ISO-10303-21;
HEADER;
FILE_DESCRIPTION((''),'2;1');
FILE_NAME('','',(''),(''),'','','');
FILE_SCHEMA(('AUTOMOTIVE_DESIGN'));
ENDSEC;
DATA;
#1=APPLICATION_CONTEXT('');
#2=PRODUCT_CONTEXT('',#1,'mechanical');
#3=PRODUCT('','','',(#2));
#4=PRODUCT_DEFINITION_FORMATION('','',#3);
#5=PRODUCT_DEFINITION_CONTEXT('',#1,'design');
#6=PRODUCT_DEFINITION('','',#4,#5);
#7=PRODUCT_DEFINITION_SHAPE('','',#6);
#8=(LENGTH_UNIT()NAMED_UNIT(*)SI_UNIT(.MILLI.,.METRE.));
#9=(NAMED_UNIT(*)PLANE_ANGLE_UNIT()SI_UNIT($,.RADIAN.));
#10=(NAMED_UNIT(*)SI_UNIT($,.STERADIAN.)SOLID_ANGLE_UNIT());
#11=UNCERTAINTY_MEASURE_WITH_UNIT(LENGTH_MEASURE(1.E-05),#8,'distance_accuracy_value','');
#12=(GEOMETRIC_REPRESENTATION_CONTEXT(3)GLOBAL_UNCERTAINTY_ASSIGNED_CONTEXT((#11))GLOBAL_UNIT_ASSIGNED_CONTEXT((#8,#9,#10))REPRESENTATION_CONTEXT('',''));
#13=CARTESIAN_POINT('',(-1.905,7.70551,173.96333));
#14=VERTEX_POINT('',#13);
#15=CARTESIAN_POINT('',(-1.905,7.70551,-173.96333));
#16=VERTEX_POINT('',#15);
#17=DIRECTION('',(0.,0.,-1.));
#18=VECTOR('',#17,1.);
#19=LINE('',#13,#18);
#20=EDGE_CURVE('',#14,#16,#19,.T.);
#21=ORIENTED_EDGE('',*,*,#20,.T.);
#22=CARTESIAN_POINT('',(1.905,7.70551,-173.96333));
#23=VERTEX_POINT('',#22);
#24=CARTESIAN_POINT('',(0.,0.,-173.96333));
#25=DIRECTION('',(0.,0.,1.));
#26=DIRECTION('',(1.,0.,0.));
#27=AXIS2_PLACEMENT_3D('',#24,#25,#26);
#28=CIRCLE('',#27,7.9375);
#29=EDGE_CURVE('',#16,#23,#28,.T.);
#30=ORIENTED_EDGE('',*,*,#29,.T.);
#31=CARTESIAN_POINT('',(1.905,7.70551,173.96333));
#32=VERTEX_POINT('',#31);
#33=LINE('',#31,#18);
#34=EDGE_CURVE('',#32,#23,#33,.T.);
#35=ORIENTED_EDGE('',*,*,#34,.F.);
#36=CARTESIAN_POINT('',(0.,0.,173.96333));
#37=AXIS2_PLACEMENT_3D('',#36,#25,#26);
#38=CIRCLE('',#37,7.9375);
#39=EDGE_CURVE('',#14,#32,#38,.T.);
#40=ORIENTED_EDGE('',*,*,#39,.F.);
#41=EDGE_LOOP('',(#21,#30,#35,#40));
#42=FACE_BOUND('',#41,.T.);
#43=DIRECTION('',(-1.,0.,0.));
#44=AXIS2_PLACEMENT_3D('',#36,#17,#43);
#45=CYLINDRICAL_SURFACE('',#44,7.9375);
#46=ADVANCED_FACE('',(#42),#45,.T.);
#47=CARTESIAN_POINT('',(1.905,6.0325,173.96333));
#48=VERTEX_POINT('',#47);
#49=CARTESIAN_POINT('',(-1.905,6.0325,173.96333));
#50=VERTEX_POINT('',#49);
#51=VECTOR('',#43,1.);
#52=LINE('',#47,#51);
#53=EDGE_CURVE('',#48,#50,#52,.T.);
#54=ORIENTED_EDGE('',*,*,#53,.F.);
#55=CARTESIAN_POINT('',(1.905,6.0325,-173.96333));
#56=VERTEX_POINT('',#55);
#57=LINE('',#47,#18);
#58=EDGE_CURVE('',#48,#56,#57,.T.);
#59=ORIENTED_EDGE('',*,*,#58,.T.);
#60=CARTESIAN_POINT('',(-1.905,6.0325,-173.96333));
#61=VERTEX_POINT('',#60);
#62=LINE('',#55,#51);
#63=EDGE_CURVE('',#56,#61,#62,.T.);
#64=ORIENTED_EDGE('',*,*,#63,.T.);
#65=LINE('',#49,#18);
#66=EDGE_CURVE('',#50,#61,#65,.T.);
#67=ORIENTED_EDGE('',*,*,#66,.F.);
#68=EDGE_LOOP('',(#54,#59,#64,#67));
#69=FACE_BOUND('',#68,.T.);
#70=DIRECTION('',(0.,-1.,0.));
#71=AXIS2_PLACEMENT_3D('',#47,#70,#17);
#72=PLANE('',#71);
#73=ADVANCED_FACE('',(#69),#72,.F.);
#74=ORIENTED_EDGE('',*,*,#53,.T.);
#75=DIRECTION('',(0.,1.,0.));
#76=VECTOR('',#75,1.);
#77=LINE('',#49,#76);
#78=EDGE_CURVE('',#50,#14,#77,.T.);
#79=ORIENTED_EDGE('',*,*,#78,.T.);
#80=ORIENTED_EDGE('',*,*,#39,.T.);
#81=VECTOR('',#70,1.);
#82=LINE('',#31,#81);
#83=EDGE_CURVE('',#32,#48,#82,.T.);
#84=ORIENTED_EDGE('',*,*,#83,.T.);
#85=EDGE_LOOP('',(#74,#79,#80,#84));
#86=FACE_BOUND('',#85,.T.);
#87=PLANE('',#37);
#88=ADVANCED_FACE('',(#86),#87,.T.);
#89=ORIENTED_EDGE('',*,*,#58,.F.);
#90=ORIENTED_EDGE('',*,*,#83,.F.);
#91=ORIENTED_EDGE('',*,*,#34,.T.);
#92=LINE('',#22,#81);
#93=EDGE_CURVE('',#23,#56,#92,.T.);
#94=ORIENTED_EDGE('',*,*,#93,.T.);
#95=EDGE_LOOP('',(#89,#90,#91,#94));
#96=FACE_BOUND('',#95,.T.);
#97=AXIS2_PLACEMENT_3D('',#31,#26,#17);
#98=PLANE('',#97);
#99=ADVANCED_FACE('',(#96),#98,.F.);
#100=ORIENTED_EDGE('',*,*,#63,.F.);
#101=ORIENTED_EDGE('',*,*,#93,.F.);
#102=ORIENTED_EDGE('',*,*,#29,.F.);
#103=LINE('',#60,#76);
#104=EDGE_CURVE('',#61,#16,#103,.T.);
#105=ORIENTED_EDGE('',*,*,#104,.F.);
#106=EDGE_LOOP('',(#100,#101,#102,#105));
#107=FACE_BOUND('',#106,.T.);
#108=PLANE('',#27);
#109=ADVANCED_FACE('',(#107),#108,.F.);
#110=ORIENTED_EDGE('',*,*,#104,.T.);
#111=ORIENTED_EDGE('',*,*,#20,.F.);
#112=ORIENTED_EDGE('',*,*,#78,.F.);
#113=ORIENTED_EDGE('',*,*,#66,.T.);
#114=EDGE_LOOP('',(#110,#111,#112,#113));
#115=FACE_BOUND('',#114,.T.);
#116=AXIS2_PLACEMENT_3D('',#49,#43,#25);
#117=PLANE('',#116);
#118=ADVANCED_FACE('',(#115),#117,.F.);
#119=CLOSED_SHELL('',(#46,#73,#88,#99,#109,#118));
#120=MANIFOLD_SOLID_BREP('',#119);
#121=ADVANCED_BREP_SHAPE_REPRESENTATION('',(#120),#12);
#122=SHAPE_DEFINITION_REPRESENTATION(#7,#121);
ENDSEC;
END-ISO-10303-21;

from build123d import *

# Parameters (mm, degrees)
EXTRUDE1_DEPTH = 173.96333


with BuildPart() as part:
    # Sketch1 → Extrude1 (new, symmetric)
    with BuildSketch(Plane.XY):
        with BuildLine():
            Line((1.905, 7.705509798), (1.905, 6.0325))
            Line((1.905, 6.0325), (-1.905, 6.0325))
            Line((-1.905, 6.0325), (-1.905, 7.705509798))
            ThreePointArc((-1.905, 7.705509798), (0, -7.9375), (1.905, 7.705509798))
        make_face()
    extrude(amount=EXTRUDE1_DEPTH, both=True)


solid = part.part
